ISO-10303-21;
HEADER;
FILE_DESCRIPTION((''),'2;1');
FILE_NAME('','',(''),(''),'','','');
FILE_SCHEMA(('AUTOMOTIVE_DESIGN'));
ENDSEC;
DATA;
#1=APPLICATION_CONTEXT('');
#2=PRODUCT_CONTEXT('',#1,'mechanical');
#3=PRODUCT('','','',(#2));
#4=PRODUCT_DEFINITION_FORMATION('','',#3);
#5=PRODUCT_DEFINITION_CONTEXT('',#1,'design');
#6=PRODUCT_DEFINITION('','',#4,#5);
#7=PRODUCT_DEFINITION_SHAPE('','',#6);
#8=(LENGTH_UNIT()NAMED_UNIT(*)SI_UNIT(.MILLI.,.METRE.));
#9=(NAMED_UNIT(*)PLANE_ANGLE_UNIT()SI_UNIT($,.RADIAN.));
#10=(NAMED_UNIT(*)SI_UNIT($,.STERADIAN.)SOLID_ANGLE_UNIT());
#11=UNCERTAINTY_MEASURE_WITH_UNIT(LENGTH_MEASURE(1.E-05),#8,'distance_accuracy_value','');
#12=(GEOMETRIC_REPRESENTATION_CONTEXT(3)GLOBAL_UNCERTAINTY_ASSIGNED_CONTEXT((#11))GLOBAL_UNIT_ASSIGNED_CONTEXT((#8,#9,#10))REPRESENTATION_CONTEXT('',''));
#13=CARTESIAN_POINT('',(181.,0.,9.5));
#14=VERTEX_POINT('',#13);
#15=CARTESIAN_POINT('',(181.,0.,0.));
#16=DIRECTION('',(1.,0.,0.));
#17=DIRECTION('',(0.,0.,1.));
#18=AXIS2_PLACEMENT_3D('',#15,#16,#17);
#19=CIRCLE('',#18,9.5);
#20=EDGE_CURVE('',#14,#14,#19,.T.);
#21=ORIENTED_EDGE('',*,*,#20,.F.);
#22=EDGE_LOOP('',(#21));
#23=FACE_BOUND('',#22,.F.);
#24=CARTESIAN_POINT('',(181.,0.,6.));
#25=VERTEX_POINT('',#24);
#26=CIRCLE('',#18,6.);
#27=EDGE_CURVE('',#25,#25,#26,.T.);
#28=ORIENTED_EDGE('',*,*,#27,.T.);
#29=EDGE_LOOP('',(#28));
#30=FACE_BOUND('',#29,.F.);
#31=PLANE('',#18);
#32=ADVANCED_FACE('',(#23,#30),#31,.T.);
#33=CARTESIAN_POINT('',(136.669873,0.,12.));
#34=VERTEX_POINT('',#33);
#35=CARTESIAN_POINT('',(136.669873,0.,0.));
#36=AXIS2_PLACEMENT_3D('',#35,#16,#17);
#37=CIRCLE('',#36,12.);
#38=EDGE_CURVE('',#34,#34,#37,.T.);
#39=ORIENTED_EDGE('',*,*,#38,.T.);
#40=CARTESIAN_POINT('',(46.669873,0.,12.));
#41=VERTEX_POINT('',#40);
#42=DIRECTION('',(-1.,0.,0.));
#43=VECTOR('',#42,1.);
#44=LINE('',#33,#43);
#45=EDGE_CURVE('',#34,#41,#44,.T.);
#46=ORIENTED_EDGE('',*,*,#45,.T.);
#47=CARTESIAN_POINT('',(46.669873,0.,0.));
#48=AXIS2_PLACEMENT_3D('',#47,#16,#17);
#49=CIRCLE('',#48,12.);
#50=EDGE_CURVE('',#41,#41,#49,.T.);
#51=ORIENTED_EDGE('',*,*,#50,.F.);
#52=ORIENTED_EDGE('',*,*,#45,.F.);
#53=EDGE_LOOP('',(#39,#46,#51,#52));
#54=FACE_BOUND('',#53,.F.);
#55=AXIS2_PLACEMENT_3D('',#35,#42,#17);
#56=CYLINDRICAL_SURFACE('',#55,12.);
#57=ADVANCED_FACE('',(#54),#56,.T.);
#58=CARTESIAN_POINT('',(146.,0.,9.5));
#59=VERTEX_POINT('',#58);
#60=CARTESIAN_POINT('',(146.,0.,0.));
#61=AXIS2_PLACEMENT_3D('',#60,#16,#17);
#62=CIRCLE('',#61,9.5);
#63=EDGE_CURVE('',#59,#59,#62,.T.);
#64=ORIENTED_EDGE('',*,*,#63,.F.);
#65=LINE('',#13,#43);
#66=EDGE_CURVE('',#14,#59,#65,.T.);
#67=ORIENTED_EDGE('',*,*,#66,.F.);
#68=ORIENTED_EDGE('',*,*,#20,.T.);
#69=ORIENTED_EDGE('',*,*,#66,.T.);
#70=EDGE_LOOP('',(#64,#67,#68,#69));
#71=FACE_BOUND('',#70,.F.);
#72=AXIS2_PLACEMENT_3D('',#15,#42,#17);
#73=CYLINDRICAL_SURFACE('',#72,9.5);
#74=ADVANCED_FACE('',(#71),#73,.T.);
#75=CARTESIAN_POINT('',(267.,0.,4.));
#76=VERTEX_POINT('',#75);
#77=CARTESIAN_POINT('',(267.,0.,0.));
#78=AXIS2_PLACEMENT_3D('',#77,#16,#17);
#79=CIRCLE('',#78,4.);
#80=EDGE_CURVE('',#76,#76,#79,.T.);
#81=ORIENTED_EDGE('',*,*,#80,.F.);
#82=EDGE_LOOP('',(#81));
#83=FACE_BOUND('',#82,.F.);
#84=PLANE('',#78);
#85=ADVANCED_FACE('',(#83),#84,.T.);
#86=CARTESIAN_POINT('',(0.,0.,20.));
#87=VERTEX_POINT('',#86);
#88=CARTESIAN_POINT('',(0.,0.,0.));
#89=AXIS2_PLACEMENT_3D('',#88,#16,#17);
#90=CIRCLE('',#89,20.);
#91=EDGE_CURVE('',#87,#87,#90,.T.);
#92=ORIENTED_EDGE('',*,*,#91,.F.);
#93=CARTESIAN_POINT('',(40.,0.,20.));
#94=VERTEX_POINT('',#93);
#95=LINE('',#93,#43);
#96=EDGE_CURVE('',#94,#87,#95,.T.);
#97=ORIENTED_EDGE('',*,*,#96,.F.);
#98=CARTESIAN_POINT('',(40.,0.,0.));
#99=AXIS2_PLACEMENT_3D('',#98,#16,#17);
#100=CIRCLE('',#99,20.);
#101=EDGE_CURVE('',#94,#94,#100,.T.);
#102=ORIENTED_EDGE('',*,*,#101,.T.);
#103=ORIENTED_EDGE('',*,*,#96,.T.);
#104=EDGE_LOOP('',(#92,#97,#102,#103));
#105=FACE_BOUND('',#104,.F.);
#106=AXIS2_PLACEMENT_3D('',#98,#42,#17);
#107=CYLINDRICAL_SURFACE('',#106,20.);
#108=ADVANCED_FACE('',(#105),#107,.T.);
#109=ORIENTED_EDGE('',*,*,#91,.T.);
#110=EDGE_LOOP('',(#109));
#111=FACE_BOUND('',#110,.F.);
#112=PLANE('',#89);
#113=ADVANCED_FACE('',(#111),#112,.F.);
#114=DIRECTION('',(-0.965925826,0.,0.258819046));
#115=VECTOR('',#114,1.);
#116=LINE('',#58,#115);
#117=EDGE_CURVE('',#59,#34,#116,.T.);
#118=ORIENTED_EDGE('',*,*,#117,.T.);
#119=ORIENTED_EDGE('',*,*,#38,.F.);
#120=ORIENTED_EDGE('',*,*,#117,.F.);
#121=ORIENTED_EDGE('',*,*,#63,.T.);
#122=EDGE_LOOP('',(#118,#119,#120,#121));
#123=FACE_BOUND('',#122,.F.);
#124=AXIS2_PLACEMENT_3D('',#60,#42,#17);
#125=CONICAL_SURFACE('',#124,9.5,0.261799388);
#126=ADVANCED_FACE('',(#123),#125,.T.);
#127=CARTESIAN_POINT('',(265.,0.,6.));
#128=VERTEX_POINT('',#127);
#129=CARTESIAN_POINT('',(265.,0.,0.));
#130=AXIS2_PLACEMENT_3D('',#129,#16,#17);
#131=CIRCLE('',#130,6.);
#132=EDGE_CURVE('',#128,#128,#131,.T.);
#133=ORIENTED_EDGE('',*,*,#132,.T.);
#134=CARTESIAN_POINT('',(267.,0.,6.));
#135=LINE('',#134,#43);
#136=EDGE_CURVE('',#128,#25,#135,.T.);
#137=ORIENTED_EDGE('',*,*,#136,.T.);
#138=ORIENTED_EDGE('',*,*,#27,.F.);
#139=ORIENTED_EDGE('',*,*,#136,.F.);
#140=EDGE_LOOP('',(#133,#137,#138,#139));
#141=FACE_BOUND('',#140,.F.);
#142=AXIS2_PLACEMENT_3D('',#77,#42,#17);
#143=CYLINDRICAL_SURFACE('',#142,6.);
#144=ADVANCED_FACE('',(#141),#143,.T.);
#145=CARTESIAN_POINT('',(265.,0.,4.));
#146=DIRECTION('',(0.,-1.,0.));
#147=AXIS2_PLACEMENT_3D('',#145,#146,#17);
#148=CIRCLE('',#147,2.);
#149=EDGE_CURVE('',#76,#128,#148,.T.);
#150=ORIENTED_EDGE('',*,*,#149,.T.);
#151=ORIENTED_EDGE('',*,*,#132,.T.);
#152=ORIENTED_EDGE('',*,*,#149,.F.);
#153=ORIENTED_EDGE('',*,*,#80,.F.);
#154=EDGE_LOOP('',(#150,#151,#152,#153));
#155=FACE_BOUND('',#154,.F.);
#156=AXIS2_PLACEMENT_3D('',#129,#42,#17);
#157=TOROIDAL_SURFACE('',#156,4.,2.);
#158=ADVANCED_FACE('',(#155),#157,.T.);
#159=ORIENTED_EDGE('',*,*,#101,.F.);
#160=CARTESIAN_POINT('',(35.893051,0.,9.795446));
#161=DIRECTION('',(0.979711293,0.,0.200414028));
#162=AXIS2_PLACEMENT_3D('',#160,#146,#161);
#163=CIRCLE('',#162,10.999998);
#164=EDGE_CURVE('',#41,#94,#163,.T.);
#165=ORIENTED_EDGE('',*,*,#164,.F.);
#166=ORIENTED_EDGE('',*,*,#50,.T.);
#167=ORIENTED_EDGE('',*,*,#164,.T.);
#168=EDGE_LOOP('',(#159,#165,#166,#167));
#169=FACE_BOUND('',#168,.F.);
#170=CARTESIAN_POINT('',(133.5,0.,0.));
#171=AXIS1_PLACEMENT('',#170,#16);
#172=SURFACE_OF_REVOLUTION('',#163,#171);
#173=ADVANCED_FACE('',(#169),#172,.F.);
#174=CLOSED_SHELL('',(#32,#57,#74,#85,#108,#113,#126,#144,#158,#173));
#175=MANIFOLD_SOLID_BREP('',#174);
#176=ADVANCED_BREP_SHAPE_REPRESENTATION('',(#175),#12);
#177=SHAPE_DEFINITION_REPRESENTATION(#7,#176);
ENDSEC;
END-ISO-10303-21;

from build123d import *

# Parameters (mm, degrees)
F2_R = 2


with BuildPart() as f1:
    # F0 (on Front) → F1 (revolve)
    with BuildSketch(Plane.XZ):
        with BuildLine():
            Line((0, 0), (267, 0))
            Line((267, 0), (267, 6))
            Line((267, 6), (181, 6))
            Line((181, 6), (181, 9.5))
            Line((181, 9.5), (146, 9.5))
            Line((146, 9.5), (136.669873, 12))
            Line((136.669873, 12), (46.669873, 12))
            ThreePointArc((46.669873, 12), (44.341818, 16.839471), (40, 20))
            Line((40, 20), (0, 20))
            Line((0, 20), (0, 0))
        make_face()
    revolve(axis=Axis((133.5, 0, 0), (1, 0, 0)))

    # F2
    f2_edges = [f1.edges().sort_by_distance(p)[0] for p in [
        (267, 0, -6),
    ]]
    fillet(f2_edges, radius=F2_R)


solid = f1.part
